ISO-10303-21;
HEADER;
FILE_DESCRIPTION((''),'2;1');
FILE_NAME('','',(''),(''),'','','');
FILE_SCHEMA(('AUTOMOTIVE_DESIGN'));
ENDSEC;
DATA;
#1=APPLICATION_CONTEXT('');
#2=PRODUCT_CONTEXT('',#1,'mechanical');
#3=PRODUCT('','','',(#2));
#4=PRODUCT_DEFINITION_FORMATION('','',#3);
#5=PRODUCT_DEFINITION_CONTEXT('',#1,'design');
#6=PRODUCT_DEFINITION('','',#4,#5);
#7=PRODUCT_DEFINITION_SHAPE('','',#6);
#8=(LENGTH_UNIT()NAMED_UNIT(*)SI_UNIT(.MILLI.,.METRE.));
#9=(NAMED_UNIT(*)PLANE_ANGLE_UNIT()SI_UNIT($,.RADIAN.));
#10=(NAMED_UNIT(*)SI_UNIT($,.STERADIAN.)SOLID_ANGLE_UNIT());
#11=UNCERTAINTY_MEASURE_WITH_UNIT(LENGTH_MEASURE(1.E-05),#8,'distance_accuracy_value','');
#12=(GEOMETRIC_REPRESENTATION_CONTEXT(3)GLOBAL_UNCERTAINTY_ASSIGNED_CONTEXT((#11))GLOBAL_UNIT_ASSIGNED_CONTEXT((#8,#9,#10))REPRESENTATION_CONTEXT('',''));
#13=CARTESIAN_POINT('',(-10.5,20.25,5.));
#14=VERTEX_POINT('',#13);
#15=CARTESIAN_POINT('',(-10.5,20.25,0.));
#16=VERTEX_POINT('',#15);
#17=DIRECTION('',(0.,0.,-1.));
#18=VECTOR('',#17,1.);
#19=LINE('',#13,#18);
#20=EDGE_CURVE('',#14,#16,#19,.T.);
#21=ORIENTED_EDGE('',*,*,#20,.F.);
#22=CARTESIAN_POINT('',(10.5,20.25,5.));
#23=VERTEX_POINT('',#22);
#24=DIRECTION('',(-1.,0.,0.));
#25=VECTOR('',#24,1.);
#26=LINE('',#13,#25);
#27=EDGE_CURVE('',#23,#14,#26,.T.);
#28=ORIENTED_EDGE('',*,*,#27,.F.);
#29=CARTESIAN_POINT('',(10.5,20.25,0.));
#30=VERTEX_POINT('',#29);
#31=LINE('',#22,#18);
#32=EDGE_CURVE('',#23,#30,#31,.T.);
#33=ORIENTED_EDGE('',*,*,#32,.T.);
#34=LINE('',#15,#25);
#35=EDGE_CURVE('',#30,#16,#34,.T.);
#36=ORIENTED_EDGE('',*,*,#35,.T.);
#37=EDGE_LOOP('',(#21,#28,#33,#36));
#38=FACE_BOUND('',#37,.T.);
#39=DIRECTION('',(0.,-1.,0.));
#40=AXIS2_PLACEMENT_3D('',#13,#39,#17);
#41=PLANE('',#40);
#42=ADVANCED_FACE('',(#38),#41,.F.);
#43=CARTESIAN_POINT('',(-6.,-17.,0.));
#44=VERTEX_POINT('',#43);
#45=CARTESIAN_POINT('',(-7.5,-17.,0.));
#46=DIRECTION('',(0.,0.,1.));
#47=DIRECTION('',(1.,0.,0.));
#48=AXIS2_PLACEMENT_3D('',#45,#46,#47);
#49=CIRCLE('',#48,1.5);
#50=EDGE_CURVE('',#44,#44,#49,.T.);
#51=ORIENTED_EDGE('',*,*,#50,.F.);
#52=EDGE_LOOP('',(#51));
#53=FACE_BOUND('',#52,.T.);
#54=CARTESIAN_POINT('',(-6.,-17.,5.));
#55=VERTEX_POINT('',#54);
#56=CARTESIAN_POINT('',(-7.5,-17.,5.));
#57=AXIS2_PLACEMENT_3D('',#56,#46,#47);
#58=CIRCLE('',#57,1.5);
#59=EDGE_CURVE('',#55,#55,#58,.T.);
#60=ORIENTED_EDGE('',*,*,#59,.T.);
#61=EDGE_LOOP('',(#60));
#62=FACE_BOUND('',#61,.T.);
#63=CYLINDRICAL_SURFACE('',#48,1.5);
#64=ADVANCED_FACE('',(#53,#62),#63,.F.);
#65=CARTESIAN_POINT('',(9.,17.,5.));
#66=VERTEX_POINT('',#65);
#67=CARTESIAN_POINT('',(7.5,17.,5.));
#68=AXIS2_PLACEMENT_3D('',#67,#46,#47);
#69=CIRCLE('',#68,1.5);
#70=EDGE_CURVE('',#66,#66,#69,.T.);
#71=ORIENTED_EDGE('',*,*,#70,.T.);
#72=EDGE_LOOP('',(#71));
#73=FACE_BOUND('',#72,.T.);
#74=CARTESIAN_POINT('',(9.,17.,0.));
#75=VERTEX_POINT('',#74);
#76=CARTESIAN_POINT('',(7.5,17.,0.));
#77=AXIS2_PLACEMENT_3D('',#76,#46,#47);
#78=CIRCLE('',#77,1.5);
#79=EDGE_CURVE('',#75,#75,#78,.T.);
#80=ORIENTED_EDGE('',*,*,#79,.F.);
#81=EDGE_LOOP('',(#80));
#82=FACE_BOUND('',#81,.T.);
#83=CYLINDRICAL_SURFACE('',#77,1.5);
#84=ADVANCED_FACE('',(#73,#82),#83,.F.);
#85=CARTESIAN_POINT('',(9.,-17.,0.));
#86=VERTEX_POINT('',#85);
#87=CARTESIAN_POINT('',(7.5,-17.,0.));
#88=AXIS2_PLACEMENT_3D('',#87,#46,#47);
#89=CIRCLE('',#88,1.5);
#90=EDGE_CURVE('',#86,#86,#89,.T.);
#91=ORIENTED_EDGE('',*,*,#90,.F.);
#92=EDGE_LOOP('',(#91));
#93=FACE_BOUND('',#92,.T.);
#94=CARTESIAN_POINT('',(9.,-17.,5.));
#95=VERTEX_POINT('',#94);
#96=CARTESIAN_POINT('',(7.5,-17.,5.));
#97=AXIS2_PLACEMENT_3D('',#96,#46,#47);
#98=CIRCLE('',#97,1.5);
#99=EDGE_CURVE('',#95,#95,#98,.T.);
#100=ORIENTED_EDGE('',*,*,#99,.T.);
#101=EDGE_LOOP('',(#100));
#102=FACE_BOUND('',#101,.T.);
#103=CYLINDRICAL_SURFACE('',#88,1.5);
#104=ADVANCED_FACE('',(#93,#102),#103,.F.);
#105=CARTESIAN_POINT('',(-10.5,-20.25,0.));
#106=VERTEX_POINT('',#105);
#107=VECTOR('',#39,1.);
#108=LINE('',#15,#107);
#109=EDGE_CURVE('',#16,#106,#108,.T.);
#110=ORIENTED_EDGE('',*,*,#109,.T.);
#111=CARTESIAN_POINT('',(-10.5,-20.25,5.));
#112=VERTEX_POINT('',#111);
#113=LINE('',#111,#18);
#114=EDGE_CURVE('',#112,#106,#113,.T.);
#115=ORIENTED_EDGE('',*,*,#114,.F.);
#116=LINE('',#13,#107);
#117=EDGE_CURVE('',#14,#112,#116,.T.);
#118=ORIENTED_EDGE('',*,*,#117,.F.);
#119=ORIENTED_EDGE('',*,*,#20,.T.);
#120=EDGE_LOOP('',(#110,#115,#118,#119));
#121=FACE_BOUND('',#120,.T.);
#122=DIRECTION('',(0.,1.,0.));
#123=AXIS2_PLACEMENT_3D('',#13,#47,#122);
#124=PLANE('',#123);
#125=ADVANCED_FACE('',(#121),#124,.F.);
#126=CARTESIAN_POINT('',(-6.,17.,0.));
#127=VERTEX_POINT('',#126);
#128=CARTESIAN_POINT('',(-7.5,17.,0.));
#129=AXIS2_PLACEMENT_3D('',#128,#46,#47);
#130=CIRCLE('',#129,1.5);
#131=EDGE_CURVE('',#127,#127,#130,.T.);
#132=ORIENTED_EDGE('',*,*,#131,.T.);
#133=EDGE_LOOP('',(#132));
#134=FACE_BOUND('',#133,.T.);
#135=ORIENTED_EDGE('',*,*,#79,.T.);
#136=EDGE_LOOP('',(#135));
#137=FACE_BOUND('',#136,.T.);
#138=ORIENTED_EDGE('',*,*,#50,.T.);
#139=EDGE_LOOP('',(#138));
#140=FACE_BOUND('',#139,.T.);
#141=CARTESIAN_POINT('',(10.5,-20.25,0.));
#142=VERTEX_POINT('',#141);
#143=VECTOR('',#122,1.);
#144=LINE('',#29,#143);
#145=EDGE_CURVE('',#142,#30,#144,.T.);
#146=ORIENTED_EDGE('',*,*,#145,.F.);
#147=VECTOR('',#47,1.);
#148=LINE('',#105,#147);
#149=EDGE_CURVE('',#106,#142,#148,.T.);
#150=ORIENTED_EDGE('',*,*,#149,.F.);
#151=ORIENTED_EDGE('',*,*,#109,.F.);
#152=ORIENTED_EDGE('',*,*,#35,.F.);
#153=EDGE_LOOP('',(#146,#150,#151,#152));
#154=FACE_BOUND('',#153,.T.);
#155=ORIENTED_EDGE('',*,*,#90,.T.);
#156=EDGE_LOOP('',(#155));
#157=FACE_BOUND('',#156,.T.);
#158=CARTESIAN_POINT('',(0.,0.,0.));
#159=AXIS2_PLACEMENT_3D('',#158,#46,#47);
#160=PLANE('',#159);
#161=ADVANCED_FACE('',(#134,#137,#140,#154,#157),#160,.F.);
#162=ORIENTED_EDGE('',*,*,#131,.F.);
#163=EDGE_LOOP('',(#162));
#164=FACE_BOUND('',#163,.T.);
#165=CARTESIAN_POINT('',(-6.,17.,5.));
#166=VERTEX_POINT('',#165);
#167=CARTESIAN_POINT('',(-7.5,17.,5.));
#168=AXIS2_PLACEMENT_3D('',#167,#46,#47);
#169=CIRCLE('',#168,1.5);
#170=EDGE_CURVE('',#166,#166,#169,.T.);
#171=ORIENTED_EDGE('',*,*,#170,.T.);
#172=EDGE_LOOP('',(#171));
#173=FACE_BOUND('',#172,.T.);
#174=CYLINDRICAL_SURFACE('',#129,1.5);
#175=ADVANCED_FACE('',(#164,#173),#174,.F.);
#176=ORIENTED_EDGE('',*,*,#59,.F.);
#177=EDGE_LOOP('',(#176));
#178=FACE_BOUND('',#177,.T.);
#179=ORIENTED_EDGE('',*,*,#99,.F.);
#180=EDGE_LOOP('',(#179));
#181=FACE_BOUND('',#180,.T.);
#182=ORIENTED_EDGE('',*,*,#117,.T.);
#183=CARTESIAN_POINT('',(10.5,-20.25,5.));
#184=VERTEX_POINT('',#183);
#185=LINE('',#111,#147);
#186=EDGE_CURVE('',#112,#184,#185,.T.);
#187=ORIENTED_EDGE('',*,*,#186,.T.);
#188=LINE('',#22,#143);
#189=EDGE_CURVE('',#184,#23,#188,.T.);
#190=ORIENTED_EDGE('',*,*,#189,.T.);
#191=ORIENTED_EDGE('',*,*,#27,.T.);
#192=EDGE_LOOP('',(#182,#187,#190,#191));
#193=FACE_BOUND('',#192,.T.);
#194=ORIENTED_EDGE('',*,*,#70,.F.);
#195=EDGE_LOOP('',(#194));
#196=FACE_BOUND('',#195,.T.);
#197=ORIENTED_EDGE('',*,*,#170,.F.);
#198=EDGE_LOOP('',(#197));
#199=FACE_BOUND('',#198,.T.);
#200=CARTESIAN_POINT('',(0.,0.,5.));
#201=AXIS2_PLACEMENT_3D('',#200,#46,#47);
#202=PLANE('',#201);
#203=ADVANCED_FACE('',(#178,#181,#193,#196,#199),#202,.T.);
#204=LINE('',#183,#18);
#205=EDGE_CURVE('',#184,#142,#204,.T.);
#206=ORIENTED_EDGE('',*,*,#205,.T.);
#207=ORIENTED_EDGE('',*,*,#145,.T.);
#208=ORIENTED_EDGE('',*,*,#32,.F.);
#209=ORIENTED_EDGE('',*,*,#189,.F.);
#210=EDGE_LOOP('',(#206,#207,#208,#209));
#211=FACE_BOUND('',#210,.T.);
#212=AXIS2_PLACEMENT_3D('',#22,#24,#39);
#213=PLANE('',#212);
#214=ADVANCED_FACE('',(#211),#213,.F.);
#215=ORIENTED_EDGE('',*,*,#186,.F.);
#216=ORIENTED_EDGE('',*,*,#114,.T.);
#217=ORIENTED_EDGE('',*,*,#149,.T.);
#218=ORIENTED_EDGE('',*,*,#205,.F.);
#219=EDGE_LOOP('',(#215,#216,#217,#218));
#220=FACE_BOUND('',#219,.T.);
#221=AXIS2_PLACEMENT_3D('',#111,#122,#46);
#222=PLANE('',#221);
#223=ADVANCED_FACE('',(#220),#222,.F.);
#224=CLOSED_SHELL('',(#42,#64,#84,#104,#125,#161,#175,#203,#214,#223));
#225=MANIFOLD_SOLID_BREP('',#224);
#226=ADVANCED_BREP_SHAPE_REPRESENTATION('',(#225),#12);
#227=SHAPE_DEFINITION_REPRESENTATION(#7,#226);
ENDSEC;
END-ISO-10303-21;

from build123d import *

# Parameters (mm, degrees)
SKIZZE1_W                       = 21
SKIZZE1_H                       = 40.5
AUFSATZ_LINEAR_AUSTRAGEN1_DEPTH = 5
SKIZZE2_R                       = 1.5
SCHNITT_LINEAR_AUSTRAGEN1_DEPTH = 24.351927115


with BuildPart() as part:
    # Skizze1 → Aufsatz-Linear austragen1 (new body)
    with BuildSketch(Plane.XY):
        Rectangle(SKIZZE1_W, SKIZZE1_H)
    extrude(amount=AUFSATZ_LINEAR_AUSTRAGEN1_DEPTH)

    # Skizze2 → Schnitt-Linear austragen1 (cut, through all)
    with BuildSketch(Plane.XY.offset(5)):
        with Locations((-7.5, 17)):
            Circle(SKIZZE2_R)
        with Locations((7.5, 17)):
            Circle(SKIZZE2_R)
        with Locations((-7.5, -17)):
            Circle(SKIZZE2_R)
        with Locations((7.5, -17)):
            Circle(SKIZZE2_R)
    extrude(amount=-SCHNITT_LINEAR_AUSTRAGEN1_DEPTH, mode=Mode.SUBTRACT)


solid = part.part
